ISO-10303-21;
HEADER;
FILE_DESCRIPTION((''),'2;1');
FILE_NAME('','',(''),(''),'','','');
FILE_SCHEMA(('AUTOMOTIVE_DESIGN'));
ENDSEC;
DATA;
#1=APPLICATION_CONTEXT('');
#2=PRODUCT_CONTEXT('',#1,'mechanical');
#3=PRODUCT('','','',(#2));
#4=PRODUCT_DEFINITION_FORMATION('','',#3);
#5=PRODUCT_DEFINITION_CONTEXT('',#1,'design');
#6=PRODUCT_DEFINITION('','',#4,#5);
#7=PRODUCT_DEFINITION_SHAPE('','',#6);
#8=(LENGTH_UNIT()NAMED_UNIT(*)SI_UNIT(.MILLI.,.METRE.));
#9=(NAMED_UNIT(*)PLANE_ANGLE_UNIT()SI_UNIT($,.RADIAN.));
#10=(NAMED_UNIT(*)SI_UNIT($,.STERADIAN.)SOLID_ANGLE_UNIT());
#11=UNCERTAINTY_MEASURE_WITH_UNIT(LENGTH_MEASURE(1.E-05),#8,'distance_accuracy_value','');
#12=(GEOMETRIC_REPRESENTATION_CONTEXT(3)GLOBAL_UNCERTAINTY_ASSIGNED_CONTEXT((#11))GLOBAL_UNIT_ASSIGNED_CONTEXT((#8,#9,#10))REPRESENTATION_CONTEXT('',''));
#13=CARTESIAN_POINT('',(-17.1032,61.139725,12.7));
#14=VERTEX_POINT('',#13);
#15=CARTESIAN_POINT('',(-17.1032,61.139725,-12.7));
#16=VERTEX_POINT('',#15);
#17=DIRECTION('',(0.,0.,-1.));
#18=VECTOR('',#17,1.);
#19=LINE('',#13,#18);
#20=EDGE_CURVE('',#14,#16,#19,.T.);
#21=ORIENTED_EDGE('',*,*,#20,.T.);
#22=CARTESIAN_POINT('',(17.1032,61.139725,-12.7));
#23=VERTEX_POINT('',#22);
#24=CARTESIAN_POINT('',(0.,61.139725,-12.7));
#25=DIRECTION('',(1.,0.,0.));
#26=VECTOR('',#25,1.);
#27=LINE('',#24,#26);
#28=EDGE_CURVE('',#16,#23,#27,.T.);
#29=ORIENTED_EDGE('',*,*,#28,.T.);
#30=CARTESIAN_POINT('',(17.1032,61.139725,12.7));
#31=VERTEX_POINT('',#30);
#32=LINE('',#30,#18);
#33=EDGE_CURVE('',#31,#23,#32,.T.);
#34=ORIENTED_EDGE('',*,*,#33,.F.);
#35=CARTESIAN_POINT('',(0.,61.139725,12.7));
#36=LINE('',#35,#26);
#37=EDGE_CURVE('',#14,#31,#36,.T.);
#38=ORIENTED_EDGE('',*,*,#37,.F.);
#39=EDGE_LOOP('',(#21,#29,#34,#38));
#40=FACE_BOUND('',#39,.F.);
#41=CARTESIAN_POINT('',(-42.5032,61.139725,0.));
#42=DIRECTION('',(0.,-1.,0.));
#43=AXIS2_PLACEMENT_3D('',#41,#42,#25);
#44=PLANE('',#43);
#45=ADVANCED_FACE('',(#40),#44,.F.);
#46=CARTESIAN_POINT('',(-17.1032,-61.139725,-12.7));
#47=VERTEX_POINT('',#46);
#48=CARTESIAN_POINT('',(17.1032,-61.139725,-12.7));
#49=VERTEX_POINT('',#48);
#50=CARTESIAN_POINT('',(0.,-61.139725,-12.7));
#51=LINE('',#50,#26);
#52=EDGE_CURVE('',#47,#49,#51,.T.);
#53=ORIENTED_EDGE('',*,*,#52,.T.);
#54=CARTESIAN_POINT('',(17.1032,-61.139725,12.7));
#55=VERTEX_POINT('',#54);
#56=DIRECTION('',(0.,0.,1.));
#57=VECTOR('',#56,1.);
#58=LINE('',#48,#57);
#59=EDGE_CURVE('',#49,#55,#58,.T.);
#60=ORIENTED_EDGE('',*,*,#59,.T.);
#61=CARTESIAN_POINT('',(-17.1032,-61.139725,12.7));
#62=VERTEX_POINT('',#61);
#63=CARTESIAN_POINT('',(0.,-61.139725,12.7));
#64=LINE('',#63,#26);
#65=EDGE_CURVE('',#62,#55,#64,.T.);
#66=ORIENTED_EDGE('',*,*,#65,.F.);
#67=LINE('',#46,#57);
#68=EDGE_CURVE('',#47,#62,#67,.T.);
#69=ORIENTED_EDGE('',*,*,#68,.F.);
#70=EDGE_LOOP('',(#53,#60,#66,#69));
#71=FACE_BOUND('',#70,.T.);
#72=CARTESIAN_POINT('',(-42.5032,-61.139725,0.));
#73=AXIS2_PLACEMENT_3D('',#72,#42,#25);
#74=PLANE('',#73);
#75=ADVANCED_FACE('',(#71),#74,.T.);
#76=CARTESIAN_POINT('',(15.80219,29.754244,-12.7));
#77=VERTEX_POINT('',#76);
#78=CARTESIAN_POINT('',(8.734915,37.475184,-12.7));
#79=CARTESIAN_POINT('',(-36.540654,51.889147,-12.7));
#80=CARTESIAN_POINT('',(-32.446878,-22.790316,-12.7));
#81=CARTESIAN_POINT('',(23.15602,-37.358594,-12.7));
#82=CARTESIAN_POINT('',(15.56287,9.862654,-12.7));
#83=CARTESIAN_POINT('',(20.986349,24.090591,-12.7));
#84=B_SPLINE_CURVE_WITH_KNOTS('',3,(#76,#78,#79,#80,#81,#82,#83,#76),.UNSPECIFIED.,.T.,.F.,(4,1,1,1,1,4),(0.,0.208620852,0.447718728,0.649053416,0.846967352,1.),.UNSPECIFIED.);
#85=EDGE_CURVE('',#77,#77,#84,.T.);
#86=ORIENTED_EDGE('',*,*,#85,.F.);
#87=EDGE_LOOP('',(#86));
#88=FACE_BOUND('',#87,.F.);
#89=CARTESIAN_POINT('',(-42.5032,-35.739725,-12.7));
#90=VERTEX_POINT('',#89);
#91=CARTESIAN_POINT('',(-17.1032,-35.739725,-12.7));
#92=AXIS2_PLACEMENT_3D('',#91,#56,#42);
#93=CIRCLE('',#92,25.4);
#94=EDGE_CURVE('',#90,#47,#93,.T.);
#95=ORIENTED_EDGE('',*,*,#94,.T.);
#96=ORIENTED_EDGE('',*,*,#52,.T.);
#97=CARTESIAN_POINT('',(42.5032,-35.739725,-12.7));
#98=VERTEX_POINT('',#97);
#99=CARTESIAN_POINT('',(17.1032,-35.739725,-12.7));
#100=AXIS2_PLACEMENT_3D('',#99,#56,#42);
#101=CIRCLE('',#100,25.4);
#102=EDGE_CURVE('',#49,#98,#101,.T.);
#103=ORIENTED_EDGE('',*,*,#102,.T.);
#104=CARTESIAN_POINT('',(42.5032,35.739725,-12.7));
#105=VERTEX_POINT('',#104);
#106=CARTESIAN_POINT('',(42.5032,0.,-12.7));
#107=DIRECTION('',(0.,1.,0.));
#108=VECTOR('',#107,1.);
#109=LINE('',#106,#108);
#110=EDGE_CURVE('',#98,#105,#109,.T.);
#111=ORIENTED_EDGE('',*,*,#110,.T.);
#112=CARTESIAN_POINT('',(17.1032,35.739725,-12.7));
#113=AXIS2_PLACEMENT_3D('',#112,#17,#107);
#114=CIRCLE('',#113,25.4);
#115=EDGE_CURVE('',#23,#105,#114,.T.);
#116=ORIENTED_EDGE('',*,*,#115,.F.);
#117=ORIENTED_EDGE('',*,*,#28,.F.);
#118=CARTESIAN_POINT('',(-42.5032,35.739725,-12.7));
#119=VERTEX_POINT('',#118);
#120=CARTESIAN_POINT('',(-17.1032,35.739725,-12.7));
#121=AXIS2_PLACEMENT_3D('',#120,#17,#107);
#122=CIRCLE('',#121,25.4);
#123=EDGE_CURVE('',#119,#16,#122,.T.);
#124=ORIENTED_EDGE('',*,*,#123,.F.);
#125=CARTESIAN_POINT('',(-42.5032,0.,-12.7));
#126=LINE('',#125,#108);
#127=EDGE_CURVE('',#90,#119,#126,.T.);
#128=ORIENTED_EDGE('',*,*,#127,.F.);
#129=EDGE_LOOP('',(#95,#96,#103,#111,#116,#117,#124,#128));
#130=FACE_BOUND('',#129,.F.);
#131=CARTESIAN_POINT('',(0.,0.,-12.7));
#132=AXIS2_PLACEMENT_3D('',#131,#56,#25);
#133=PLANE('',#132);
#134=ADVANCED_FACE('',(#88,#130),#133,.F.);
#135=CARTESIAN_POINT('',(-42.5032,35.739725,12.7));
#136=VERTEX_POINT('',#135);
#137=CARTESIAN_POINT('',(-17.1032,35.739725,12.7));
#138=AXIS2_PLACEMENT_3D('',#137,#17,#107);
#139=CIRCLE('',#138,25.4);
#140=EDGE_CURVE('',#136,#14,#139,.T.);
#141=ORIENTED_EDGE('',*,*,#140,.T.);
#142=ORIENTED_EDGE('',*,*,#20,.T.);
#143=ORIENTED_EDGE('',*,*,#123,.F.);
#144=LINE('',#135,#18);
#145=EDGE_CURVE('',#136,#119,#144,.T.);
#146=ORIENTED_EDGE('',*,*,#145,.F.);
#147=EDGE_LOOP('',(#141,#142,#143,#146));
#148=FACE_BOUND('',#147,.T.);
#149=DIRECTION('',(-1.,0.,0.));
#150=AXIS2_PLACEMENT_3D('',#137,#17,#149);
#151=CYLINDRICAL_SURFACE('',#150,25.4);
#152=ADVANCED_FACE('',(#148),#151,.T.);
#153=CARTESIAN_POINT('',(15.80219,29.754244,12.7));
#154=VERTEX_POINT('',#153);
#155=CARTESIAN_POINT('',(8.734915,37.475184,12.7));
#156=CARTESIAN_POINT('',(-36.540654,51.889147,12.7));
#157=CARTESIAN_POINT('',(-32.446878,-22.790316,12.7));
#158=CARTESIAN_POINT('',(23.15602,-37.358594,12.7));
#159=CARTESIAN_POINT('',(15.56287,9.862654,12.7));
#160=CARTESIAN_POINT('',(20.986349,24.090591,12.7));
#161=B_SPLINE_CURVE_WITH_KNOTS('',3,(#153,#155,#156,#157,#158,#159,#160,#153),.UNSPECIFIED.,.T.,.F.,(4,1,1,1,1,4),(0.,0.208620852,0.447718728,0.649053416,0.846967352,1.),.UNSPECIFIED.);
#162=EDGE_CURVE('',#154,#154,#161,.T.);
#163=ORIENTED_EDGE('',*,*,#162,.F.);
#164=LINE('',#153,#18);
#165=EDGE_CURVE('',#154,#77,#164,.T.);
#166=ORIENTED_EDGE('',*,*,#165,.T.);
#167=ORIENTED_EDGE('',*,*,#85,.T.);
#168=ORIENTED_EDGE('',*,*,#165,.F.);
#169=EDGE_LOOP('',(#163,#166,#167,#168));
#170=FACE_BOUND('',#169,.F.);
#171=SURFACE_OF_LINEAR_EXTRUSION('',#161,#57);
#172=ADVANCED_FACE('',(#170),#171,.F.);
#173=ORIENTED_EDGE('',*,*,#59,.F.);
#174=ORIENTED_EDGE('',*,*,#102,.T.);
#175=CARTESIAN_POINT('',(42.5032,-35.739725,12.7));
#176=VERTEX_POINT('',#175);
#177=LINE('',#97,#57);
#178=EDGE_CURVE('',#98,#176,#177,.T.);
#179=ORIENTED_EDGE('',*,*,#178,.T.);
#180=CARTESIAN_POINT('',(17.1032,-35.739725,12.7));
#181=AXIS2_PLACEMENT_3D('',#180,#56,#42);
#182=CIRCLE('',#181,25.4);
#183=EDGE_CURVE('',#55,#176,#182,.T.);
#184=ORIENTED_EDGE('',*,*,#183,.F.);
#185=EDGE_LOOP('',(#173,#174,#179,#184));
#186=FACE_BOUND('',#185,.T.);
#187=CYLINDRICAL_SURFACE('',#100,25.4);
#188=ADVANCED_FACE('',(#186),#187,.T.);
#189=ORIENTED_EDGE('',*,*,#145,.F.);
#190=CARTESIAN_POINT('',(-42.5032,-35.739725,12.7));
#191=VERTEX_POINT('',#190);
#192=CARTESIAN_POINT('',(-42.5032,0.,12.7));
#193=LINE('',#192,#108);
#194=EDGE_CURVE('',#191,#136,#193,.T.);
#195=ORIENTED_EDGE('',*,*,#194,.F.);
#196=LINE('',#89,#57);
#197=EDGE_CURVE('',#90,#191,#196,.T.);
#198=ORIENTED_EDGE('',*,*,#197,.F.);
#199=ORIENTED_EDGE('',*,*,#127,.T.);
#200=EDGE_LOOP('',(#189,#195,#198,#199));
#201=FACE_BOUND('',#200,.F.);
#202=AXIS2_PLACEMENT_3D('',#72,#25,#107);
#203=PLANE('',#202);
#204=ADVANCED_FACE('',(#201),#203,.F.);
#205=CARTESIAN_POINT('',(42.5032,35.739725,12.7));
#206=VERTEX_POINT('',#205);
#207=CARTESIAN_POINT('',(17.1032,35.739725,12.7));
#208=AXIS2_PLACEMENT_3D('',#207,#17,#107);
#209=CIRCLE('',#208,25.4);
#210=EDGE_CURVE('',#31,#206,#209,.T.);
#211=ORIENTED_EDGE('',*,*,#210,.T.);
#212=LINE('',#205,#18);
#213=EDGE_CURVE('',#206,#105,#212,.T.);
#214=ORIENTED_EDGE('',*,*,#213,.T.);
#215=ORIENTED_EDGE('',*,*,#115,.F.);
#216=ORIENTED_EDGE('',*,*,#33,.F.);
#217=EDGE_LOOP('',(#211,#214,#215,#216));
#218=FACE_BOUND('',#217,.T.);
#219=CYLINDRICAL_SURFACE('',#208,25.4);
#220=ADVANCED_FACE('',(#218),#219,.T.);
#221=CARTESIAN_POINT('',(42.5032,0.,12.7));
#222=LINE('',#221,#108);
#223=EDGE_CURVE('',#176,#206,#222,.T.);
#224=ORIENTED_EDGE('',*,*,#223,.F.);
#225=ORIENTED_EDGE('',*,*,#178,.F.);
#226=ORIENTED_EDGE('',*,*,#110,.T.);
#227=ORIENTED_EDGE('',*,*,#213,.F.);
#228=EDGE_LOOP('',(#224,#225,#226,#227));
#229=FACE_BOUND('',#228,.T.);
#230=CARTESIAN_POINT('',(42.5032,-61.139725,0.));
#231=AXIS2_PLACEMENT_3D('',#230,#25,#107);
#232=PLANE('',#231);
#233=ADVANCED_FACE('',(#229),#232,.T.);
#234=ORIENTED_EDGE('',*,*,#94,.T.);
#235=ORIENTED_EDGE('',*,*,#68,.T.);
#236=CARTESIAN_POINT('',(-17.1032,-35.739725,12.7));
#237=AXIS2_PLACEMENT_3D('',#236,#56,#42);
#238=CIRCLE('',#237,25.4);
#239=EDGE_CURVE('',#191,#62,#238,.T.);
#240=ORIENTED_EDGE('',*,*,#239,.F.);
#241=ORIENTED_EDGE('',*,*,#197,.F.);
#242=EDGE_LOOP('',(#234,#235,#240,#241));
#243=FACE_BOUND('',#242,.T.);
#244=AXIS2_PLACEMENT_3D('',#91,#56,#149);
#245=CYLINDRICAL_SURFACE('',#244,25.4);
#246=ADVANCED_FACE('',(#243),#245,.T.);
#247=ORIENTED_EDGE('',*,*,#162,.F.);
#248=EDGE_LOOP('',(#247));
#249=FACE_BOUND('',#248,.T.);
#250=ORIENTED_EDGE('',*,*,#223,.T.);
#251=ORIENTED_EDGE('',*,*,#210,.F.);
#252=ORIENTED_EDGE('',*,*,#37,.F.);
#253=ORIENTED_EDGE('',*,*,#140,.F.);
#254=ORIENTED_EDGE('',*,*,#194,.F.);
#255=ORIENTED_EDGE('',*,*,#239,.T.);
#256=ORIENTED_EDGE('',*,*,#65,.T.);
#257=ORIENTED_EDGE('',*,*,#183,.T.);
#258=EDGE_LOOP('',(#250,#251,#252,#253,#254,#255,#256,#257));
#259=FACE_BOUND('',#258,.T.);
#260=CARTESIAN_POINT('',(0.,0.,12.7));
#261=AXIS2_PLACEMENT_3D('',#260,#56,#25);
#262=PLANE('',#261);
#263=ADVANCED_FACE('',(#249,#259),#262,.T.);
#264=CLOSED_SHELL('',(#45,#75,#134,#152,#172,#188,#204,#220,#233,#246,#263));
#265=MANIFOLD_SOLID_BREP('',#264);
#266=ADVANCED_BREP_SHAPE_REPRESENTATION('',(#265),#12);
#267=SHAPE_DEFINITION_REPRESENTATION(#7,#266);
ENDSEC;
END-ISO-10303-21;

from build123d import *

# Parameters (mm, degrees)
F0_W     = 85.0064009428
F0_H     = 122.2794502974
F1_DEPTH = 12.7
F3_DEPTH = 25.4
F4_R     = 25.4


with BuildPart() as f1:
    # F0 (on Top) → F1 (new body, symmetric)
    with BuildSketch(Plane.XY):
        Rectangle(F0_W, F0_H)
    extrude(amount=F1_DEPTH, both=True)

    # F2 (on face) → F3 (cut)
    with BuildSketch(Plane.XY.offset(12.7)):
        with BuildLine():
            add(Edge.make_bspline(
                [(15.8021897078, 29.7542437911), (8.7349150661, 37.4751844421), (-36.540654392, 51.889146526), (-32.4468782742, -22.7903155442), (23.1560198555, -37.3585935892), (15.5628704988, 9.8626539685), (20.9863491185, 24.09059137), (15.8021897078, 29.7542437911)],
                knots=[0, 0, 0, 0, 0.2086208524, 0.4477187277, 0.6490534164, 0.8469673516, 1, 1, 1, 1], degree=3))
        make_face()
    extrude(amount=-F3_DEPTH, mode=Mode.SUBTRACT)

    # F4
    f4_edges = [f1.edges().sort_by_distance(p)[0] for p in [
        (-42.5032, -61.139725, 0),
        (42.5032, -61.139725, 0),
        (42.5032, 61.139725, 0),
        (-42.5032, 61.139725, 0),
    ]]
    fillet(f4_edges, radius=F4_R)


solid = f1.part
